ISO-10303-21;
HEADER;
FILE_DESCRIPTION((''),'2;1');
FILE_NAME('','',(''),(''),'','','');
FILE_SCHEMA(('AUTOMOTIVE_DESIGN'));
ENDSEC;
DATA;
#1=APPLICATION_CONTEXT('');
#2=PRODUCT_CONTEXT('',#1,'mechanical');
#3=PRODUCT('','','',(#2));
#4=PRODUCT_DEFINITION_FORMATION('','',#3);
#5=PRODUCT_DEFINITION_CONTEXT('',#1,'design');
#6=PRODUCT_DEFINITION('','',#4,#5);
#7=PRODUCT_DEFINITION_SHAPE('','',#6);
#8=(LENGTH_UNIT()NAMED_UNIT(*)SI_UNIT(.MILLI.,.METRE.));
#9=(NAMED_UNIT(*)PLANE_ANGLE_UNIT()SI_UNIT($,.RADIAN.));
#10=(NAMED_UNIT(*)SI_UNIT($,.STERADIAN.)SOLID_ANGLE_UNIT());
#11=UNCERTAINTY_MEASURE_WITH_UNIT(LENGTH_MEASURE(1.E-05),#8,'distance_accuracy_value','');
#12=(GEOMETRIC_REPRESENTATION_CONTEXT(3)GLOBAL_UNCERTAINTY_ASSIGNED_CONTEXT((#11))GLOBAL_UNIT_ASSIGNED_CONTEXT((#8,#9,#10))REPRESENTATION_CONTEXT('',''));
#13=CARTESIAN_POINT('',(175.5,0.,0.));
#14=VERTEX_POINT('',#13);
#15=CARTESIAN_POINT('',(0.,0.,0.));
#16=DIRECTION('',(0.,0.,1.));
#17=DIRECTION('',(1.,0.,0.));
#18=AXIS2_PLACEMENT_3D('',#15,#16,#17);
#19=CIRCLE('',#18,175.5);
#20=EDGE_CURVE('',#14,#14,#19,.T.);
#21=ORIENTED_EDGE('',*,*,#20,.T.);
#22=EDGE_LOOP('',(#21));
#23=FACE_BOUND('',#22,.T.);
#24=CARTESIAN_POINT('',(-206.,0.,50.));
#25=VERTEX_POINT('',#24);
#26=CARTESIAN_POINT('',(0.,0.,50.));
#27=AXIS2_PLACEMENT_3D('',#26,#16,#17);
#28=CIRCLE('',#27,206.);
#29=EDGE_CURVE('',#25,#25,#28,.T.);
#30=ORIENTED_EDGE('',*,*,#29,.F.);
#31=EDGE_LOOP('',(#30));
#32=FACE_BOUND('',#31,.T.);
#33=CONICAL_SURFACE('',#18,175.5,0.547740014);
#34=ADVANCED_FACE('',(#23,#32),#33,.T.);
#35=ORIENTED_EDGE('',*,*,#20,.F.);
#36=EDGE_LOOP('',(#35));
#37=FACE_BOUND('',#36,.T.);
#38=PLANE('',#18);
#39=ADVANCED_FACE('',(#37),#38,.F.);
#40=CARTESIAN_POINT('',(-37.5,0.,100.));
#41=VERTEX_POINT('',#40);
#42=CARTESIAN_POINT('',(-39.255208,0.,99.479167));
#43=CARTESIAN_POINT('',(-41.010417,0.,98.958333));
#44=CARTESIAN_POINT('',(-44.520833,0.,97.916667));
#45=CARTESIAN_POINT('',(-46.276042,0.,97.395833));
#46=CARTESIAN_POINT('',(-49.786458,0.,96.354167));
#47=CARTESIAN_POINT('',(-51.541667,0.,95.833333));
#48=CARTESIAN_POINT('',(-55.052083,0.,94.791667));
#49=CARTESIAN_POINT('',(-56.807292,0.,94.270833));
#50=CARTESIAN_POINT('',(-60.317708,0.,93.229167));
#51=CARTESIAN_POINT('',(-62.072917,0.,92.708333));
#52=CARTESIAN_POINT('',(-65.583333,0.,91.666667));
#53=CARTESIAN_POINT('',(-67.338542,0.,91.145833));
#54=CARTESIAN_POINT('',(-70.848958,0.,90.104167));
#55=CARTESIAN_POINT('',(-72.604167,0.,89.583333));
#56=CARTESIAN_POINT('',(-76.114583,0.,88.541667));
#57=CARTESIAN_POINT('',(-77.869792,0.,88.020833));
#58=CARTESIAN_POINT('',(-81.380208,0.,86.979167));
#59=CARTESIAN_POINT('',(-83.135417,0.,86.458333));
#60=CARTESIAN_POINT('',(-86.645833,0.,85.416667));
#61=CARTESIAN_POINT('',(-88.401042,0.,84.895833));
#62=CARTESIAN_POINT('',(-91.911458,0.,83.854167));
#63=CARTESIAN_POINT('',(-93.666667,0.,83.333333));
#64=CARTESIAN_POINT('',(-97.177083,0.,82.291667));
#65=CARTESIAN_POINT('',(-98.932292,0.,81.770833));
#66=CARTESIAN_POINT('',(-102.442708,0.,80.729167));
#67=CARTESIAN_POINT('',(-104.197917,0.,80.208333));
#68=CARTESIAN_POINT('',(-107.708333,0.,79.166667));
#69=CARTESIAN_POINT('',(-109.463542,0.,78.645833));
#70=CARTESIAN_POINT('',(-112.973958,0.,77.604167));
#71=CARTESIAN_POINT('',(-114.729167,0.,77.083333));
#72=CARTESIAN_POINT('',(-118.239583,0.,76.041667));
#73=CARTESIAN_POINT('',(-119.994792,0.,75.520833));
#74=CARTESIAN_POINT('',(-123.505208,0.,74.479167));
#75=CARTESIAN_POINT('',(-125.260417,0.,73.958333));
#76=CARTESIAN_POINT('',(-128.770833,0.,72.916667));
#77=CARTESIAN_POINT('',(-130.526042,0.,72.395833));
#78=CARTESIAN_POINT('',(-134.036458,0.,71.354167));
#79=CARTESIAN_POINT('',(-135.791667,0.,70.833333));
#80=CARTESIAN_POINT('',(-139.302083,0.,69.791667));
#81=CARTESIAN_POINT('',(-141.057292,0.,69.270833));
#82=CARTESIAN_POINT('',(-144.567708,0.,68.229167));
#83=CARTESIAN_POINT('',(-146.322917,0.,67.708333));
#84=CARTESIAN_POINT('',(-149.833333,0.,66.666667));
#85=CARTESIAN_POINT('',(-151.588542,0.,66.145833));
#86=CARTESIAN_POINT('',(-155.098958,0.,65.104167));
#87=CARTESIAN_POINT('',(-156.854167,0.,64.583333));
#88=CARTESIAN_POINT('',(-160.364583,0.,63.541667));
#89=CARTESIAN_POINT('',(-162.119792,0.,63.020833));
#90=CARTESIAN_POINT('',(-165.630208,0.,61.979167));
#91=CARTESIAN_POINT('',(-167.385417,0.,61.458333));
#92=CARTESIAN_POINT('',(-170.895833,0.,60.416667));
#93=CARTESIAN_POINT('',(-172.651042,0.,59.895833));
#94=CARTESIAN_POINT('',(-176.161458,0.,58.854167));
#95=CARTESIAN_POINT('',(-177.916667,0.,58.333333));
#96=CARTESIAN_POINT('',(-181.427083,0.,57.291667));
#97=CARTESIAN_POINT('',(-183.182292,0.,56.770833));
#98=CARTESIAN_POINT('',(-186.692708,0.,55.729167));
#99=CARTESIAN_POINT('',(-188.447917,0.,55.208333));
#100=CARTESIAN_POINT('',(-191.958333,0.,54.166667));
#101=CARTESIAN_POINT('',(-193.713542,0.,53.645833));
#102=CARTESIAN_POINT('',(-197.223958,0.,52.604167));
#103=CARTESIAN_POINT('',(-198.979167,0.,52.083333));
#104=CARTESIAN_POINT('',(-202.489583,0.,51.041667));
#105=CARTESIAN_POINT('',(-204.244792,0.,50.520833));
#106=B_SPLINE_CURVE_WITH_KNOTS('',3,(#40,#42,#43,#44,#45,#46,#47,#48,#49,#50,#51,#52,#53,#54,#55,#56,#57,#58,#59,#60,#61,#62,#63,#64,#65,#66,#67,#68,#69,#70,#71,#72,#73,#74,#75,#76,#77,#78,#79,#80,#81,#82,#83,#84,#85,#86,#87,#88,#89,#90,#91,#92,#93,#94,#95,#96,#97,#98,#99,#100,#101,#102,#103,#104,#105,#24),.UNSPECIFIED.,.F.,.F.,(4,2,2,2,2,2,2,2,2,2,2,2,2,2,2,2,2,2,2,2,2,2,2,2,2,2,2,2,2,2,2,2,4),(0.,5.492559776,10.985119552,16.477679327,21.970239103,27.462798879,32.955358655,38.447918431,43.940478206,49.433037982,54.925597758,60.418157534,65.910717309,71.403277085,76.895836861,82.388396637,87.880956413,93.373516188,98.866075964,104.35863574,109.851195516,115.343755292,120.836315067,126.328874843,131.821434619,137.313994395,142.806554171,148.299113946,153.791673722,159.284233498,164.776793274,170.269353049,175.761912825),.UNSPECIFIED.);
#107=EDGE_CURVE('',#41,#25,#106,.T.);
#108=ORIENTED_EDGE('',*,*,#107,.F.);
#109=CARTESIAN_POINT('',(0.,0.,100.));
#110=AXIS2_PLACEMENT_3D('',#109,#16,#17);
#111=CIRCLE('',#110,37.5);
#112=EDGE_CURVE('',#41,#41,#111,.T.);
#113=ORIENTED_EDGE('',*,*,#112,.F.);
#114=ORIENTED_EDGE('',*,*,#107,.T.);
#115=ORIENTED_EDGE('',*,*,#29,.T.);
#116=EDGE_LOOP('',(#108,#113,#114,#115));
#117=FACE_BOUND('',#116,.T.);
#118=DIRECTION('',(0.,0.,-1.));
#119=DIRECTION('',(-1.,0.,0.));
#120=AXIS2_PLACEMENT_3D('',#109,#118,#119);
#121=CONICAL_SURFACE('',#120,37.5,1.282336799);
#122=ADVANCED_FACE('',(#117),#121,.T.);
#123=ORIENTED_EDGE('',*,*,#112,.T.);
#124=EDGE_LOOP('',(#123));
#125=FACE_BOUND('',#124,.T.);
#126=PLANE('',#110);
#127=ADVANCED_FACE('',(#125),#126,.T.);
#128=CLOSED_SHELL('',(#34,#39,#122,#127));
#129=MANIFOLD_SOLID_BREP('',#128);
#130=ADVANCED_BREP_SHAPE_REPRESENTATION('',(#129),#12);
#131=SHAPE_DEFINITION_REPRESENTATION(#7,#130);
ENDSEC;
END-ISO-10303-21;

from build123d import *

# Parameters (mm, degrees)
SKETCH1_R = 175.5
SKETCH2_R = 206
SKETCH3_R = 37.5
SKETCH4_R = 206


with BuildPart() as part:
    # Sketch1 → Loft1 section 0
    with BuildSketch(Plane(origin=(0, 0, 0), x_dir=(0, 1, 0), z_dir=(0, 0, 1))):
        Circle(SKETCH1_R)
    # Sketch2 → Loft1 section 1
    with BuildSketch(Plane(origin=(0, 0, 50), x_dir=(0, 1, 0), z_dir=(0, 0, 1))):
        Circle(SKETCH2_R)
    loft()

    # Sketch3 → Loft4 section 0
    with BuildSketch(Plane(origin=(0, 0, 100), x_dir=(0, 1, 0), z_dir=(0, 0, 1))):
        Circle(SKETCH3_R)
    # Sketch4 → Loft4 section 1
    with BuildSketch(Plane.XY.offset(50)):
        Circle(SKETCH4_R)
    loft()


solid = part.part
